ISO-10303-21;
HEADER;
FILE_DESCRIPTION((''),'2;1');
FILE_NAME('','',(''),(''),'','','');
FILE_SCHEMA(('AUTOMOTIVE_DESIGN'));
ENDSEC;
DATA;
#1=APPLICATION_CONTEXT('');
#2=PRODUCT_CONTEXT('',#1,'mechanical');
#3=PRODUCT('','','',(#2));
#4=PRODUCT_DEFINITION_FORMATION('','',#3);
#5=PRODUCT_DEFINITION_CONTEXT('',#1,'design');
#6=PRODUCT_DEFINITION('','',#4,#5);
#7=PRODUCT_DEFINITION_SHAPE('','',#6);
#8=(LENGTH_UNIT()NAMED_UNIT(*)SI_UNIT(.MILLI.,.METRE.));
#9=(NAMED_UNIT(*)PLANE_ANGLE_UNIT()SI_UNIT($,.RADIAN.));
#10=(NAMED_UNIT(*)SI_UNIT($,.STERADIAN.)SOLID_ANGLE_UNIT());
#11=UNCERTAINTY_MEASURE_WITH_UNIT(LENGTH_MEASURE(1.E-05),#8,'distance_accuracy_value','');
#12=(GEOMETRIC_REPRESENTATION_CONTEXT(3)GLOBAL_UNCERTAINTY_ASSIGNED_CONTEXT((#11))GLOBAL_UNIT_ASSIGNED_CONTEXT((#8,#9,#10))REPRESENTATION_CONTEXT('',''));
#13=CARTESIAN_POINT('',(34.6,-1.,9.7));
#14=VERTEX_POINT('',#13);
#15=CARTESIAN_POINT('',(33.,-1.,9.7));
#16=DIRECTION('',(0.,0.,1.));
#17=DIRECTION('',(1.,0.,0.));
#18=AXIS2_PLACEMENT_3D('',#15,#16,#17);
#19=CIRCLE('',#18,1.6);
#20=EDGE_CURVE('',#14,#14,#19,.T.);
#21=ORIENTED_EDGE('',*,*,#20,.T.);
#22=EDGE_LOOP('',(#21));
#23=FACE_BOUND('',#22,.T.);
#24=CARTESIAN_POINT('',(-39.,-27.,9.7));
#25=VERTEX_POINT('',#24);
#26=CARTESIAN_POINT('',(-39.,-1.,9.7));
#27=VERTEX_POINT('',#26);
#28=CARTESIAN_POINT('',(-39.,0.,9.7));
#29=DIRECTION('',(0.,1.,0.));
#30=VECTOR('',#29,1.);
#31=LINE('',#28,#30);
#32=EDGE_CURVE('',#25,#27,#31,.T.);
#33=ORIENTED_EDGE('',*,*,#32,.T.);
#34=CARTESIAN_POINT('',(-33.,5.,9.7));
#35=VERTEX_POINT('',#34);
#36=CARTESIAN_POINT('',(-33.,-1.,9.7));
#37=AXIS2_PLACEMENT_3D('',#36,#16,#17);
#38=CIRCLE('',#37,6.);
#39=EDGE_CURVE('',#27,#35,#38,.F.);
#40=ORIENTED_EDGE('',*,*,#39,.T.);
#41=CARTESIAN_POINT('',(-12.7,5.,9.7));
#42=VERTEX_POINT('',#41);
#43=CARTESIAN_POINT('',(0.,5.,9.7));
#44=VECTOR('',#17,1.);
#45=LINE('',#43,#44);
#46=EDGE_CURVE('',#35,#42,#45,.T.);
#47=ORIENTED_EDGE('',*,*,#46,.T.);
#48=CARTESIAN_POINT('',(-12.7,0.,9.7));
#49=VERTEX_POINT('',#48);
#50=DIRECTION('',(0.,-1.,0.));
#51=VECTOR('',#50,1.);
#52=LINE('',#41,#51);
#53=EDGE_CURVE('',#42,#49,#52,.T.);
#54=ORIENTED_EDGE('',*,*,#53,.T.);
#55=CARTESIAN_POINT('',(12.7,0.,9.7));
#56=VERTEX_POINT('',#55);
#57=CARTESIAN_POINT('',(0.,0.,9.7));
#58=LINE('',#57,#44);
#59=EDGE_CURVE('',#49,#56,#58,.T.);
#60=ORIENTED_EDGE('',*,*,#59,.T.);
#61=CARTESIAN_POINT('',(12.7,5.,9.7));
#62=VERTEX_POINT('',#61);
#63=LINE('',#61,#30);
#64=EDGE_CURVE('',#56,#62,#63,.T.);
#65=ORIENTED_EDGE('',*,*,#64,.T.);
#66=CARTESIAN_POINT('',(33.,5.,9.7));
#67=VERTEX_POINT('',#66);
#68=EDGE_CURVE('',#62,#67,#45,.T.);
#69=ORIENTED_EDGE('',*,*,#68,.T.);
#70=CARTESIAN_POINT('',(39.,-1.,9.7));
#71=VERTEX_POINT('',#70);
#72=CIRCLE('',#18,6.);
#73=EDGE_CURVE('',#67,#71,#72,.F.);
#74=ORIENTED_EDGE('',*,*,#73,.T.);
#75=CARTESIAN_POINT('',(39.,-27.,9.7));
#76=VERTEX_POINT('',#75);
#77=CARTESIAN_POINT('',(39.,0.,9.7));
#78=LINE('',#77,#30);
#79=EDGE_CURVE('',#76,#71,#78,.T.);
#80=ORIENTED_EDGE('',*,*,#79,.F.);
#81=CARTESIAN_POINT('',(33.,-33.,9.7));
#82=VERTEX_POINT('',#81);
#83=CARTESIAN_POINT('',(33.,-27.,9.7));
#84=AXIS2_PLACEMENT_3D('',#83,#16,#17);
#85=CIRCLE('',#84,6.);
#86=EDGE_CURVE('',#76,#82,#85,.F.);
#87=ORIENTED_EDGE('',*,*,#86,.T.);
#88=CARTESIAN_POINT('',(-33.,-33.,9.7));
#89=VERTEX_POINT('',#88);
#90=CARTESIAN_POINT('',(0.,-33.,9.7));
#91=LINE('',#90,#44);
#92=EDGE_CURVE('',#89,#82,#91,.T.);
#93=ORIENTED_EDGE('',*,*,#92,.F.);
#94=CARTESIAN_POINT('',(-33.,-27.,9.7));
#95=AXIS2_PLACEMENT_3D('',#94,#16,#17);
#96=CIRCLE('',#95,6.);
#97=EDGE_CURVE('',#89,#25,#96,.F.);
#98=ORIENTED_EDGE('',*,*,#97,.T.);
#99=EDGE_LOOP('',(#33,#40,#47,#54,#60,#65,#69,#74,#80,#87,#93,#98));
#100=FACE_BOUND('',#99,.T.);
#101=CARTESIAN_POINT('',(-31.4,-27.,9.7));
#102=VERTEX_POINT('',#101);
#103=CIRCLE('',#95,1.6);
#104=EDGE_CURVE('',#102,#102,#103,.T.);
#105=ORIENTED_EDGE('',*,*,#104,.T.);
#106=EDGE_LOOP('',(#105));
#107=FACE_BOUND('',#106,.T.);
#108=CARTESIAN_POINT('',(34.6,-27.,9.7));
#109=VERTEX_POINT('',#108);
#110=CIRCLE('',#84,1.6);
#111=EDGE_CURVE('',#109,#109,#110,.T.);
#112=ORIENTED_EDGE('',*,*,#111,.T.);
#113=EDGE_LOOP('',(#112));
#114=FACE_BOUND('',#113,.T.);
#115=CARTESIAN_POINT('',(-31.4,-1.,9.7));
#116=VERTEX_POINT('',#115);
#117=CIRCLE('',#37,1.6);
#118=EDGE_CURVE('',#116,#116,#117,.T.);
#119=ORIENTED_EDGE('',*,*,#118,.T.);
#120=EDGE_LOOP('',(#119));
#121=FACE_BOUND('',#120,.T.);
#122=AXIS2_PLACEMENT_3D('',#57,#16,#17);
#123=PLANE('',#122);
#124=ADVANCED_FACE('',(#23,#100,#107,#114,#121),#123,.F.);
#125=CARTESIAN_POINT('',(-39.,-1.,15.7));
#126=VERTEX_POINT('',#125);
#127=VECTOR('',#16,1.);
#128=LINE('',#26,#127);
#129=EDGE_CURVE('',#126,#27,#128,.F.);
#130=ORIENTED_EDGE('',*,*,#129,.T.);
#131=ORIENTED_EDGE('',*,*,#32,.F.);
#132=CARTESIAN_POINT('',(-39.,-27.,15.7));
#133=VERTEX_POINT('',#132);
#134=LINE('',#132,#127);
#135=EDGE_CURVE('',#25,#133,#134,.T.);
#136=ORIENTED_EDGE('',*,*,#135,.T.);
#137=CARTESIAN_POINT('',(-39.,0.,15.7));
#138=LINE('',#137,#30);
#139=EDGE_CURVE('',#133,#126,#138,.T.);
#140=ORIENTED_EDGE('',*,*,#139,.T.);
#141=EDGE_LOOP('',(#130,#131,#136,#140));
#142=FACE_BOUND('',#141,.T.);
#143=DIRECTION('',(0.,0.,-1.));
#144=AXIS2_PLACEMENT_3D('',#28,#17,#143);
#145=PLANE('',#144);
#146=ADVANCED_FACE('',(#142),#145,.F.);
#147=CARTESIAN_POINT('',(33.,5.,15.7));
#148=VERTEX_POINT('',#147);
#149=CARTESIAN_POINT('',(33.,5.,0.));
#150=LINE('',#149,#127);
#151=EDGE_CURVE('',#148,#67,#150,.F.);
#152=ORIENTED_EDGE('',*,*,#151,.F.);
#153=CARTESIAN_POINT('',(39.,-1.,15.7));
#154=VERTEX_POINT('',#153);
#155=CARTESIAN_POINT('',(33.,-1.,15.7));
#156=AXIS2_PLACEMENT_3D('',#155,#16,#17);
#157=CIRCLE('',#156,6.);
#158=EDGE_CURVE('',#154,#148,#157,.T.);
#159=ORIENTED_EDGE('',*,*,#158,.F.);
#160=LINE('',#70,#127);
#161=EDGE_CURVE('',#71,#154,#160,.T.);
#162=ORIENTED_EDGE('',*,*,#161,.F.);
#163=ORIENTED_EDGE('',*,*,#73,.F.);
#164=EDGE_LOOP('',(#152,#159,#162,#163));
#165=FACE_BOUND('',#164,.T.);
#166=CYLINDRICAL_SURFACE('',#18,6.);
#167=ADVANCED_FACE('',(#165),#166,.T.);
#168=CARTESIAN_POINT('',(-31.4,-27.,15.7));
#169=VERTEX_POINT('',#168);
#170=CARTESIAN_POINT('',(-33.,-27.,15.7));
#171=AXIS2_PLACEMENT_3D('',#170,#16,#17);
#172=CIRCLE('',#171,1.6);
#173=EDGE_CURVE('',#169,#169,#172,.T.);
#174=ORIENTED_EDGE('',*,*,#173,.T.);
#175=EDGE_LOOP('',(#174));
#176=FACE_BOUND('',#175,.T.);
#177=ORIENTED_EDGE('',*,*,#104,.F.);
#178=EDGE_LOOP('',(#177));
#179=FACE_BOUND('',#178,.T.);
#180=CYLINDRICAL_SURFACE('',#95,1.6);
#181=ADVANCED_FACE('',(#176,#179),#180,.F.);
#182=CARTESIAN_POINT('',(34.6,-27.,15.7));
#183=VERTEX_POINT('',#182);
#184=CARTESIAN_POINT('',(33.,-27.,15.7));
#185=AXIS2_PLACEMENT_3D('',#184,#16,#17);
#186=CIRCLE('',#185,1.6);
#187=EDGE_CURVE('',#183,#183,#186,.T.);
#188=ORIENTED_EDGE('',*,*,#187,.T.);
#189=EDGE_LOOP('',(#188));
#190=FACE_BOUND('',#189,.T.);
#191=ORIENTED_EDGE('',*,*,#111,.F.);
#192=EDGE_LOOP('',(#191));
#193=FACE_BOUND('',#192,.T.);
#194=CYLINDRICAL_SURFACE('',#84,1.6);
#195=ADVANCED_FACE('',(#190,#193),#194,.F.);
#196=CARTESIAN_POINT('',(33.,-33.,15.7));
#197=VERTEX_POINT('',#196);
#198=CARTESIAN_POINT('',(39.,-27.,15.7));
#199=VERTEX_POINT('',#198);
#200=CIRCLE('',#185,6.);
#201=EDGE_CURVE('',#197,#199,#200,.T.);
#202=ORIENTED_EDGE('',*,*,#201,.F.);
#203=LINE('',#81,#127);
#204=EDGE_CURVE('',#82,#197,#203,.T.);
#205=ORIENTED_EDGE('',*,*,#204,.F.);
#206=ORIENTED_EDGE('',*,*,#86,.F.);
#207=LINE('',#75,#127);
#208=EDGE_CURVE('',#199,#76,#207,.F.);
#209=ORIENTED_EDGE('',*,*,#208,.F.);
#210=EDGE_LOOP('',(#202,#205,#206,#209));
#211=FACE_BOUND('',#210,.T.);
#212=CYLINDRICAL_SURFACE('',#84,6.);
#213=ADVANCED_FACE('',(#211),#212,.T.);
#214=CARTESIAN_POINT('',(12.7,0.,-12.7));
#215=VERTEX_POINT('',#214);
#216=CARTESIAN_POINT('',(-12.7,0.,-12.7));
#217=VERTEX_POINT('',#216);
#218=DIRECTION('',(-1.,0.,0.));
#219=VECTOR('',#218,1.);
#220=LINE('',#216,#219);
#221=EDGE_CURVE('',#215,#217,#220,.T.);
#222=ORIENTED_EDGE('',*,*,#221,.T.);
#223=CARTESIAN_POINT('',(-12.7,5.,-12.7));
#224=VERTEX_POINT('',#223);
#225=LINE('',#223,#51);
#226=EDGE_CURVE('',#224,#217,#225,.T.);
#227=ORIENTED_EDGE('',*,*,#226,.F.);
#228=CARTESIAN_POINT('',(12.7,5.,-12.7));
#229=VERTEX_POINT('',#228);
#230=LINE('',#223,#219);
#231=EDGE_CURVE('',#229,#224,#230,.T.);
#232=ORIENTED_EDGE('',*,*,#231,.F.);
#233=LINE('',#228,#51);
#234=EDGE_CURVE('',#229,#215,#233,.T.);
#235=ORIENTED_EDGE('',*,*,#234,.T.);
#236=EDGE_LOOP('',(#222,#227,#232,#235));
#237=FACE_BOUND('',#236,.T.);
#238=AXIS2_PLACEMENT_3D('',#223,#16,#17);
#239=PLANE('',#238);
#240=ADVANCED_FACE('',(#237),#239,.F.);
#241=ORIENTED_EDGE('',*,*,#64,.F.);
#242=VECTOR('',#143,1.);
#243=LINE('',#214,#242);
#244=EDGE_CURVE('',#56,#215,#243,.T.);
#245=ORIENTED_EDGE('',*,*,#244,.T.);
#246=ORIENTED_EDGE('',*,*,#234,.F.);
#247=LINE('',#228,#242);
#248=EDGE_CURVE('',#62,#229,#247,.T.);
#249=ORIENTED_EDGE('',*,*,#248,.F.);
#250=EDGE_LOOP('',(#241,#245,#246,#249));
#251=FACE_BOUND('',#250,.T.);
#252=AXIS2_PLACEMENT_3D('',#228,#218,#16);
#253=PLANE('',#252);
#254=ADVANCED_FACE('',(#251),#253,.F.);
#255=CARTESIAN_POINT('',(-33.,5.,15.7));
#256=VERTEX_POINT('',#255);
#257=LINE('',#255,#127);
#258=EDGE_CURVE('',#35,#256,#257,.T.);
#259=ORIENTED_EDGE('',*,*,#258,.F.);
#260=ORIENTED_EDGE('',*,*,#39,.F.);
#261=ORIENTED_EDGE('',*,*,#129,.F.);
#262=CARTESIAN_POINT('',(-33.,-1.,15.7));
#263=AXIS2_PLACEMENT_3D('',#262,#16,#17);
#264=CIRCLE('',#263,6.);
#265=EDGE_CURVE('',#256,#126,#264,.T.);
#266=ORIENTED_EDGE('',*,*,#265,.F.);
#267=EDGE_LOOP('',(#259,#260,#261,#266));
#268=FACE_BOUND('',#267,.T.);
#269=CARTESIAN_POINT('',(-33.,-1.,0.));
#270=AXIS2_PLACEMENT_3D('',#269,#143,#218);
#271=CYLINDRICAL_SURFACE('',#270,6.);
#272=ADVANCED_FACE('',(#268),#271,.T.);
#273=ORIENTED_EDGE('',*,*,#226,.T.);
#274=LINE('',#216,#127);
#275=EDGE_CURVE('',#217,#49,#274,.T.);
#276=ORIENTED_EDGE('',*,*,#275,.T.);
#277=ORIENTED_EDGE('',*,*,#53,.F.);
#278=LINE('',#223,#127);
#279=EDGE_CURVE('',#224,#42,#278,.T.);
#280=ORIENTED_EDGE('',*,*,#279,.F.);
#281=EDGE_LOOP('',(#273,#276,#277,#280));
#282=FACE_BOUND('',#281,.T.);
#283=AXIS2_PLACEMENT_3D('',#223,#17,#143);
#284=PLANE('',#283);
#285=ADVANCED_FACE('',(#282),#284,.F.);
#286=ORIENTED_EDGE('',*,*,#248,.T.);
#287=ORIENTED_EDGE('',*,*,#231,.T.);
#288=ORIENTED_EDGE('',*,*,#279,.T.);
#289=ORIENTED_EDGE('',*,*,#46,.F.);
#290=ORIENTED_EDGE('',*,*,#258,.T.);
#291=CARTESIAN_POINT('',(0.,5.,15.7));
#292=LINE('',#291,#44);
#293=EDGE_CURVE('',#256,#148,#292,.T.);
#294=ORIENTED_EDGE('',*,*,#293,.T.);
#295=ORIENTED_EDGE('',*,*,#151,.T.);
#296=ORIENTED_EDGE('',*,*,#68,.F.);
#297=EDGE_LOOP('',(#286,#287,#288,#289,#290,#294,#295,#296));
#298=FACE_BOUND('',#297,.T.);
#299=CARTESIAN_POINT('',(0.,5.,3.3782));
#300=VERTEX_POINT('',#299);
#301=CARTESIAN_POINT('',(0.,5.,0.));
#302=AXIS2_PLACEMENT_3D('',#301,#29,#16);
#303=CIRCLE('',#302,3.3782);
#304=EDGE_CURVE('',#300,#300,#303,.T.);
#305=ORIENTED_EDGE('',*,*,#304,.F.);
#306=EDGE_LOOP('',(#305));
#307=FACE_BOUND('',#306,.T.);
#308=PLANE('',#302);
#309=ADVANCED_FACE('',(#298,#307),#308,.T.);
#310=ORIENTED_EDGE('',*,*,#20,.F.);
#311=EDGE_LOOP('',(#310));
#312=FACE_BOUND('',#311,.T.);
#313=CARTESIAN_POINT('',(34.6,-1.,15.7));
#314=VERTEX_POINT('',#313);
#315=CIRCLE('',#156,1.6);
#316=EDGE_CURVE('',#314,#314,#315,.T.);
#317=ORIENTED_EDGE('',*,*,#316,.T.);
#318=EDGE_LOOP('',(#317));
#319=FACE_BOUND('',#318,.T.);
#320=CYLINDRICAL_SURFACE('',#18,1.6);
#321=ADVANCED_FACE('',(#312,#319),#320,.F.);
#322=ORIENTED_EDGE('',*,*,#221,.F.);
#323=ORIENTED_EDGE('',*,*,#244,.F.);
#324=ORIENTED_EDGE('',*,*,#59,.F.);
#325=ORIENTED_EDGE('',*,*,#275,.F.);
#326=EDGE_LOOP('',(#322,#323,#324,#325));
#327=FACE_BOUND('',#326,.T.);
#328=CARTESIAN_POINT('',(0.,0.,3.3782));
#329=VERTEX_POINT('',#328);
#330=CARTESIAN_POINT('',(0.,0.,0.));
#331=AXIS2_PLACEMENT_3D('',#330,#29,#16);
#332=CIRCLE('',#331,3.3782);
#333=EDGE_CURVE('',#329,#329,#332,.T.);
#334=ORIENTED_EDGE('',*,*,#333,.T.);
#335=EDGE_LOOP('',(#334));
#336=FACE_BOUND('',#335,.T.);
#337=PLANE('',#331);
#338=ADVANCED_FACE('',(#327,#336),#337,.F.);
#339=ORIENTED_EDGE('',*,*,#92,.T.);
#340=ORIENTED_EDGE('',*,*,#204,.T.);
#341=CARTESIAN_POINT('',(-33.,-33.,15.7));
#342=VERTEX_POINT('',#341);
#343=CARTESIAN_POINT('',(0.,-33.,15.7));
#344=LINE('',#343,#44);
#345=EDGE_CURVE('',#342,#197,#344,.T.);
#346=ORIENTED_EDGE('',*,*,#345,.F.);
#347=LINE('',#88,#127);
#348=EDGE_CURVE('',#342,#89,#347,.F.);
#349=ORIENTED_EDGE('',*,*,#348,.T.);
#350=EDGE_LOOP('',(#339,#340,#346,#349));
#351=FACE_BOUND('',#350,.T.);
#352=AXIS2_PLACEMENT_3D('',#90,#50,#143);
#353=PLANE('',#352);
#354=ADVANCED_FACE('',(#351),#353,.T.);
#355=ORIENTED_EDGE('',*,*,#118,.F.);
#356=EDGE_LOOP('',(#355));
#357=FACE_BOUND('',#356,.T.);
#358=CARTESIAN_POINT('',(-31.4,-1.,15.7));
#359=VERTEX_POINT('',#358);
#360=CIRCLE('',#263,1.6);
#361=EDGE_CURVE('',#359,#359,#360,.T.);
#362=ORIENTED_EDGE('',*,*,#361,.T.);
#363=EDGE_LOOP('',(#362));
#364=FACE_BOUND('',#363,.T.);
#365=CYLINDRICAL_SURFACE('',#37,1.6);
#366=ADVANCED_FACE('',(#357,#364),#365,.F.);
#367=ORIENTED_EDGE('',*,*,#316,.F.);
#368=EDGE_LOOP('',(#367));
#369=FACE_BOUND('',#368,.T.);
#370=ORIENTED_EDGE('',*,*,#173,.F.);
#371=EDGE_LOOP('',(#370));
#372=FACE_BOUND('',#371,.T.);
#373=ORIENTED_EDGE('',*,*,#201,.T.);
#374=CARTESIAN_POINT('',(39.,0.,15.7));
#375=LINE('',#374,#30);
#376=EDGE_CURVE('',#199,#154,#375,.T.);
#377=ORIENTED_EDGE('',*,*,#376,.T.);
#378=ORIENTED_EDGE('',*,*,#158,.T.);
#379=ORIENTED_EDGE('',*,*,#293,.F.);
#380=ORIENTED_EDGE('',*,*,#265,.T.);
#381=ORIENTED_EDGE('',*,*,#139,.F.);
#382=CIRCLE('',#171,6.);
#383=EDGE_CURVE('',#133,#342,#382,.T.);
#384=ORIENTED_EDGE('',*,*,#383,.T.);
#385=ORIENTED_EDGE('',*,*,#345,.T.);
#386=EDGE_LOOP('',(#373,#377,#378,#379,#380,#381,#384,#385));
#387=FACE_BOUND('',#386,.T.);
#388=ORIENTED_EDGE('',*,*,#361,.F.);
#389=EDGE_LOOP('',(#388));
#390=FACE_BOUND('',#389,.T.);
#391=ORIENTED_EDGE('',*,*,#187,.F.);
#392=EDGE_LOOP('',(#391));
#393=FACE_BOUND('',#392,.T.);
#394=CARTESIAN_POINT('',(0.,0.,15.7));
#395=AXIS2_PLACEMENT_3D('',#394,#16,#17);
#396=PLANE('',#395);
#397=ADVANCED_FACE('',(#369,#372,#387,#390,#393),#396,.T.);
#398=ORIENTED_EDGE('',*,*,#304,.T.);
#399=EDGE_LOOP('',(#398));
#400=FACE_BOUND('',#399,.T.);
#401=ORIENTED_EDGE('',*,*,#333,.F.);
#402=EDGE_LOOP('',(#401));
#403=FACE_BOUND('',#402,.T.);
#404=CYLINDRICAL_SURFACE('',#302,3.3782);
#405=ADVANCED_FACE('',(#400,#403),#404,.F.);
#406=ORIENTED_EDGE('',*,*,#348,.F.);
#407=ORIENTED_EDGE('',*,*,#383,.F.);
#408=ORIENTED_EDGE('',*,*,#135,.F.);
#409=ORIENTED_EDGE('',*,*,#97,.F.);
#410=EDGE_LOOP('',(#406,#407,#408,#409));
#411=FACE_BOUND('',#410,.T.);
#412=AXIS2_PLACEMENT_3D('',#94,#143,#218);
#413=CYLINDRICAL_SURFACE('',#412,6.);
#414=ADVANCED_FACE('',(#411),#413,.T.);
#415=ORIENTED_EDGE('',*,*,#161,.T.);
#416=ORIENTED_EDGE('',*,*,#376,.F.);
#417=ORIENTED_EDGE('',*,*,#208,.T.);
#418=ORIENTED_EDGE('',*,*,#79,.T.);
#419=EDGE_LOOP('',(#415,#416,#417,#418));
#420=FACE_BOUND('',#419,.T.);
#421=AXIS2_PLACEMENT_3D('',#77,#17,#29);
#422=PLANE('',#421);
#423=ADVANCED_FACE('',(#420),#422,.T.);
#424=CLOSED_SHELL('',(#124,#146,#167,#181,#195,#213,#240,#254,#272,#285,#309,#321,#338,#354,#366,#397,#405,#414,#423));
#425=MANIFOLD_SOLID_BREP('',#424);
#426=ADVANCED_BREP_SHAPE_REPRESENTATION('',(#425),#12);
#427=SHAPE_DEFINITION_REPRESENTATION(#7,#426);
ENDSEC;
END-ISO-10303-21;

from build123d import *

# Parameters (mm, degrees)
SKETCH1_W               = 25.4
SKETCH1_H               = 25.4
BOSS_EXTRUDE1_DEPTH     = 5
F_1_4_CLEARANCE_HOLE1_D = 6.7564
SKETCH4_R               = 1.6
SKETCH4_W               = 25.4
SKETCH4_H               = 5
BOSS_EXTRUDE2_DEPTH     = 3
FILLET1_R               = 6


with BuildPart() as part:
    # Sketch1 → Boss-Extrude1 (new body)
    with BuildSketch(Plane(origin=(0, 0, 0), x_dir=(1, 0, 0), z_dir=(0, 1, 0))):
        Rectangle(SKETCH1_W, SKETCH1_H)
    extrude(amount=BOSS_EXTRUDE1_DEPTH)

    # 1/4 Clearance Hole1 (through all)
    with Locations(Plane(origin=(0, 5, 0), x_dir=(1, 0, 0), z_dir=(0, 1, 0))):
        with Locations((0, 0)):
            Hole(F_1_4_CLEARANCE_HOLE1_D / 2)

    # Sketch4 → Boss-Extrude2 (add, symmetric)
    # profile 1 of 2: a face of its own
    with BuildSketch(Plane.XY.offset(12.7)):
        Polygon((-39, 5), (-39, -33), (39, -33), (39, 5), (12.7, 5), (12.7, 0), (-12.7, 0), (-12.7, 5), align=None)
        with Locations((-33, -27)):
            Circle(SKETCH4_R, mode=Mode.SUBTRACT)
        with Locations((33, -27)):
            Circle(SKETCH4_R, mode=Mode.SUBTRACT)
        with Locations((-33, -1)):
            Circle(SKETCH4_R, mode=Mode.SUBTRACT)
        with Locations((33, -1)):
            Circle(SKETCH4_R, mode=Mode.SUBTRACT)
    # profile 2 of 2: a face of its own
    with BuildSketch(Plane.XY.offset(12.7)):
        with Locations((0, 2.5)):
            Rectangle(SKETCH4_W, SKETCH4_H)
    extrude(amount=BOSS_EXTRUDE2_DEPTH, both=True)

    # Fillet1
    fillet1_edges = [part.edges().sort_by_distance(p)[0] for p in [
        (-39, 5, 12.7),
        (39, 5, 12.7),
        (39, -33, 12.7),
        (-39, -33, 12.7),
    ]]
    fillet(fillet1_edges, radius=FILLET1_R)


solid = part.part
